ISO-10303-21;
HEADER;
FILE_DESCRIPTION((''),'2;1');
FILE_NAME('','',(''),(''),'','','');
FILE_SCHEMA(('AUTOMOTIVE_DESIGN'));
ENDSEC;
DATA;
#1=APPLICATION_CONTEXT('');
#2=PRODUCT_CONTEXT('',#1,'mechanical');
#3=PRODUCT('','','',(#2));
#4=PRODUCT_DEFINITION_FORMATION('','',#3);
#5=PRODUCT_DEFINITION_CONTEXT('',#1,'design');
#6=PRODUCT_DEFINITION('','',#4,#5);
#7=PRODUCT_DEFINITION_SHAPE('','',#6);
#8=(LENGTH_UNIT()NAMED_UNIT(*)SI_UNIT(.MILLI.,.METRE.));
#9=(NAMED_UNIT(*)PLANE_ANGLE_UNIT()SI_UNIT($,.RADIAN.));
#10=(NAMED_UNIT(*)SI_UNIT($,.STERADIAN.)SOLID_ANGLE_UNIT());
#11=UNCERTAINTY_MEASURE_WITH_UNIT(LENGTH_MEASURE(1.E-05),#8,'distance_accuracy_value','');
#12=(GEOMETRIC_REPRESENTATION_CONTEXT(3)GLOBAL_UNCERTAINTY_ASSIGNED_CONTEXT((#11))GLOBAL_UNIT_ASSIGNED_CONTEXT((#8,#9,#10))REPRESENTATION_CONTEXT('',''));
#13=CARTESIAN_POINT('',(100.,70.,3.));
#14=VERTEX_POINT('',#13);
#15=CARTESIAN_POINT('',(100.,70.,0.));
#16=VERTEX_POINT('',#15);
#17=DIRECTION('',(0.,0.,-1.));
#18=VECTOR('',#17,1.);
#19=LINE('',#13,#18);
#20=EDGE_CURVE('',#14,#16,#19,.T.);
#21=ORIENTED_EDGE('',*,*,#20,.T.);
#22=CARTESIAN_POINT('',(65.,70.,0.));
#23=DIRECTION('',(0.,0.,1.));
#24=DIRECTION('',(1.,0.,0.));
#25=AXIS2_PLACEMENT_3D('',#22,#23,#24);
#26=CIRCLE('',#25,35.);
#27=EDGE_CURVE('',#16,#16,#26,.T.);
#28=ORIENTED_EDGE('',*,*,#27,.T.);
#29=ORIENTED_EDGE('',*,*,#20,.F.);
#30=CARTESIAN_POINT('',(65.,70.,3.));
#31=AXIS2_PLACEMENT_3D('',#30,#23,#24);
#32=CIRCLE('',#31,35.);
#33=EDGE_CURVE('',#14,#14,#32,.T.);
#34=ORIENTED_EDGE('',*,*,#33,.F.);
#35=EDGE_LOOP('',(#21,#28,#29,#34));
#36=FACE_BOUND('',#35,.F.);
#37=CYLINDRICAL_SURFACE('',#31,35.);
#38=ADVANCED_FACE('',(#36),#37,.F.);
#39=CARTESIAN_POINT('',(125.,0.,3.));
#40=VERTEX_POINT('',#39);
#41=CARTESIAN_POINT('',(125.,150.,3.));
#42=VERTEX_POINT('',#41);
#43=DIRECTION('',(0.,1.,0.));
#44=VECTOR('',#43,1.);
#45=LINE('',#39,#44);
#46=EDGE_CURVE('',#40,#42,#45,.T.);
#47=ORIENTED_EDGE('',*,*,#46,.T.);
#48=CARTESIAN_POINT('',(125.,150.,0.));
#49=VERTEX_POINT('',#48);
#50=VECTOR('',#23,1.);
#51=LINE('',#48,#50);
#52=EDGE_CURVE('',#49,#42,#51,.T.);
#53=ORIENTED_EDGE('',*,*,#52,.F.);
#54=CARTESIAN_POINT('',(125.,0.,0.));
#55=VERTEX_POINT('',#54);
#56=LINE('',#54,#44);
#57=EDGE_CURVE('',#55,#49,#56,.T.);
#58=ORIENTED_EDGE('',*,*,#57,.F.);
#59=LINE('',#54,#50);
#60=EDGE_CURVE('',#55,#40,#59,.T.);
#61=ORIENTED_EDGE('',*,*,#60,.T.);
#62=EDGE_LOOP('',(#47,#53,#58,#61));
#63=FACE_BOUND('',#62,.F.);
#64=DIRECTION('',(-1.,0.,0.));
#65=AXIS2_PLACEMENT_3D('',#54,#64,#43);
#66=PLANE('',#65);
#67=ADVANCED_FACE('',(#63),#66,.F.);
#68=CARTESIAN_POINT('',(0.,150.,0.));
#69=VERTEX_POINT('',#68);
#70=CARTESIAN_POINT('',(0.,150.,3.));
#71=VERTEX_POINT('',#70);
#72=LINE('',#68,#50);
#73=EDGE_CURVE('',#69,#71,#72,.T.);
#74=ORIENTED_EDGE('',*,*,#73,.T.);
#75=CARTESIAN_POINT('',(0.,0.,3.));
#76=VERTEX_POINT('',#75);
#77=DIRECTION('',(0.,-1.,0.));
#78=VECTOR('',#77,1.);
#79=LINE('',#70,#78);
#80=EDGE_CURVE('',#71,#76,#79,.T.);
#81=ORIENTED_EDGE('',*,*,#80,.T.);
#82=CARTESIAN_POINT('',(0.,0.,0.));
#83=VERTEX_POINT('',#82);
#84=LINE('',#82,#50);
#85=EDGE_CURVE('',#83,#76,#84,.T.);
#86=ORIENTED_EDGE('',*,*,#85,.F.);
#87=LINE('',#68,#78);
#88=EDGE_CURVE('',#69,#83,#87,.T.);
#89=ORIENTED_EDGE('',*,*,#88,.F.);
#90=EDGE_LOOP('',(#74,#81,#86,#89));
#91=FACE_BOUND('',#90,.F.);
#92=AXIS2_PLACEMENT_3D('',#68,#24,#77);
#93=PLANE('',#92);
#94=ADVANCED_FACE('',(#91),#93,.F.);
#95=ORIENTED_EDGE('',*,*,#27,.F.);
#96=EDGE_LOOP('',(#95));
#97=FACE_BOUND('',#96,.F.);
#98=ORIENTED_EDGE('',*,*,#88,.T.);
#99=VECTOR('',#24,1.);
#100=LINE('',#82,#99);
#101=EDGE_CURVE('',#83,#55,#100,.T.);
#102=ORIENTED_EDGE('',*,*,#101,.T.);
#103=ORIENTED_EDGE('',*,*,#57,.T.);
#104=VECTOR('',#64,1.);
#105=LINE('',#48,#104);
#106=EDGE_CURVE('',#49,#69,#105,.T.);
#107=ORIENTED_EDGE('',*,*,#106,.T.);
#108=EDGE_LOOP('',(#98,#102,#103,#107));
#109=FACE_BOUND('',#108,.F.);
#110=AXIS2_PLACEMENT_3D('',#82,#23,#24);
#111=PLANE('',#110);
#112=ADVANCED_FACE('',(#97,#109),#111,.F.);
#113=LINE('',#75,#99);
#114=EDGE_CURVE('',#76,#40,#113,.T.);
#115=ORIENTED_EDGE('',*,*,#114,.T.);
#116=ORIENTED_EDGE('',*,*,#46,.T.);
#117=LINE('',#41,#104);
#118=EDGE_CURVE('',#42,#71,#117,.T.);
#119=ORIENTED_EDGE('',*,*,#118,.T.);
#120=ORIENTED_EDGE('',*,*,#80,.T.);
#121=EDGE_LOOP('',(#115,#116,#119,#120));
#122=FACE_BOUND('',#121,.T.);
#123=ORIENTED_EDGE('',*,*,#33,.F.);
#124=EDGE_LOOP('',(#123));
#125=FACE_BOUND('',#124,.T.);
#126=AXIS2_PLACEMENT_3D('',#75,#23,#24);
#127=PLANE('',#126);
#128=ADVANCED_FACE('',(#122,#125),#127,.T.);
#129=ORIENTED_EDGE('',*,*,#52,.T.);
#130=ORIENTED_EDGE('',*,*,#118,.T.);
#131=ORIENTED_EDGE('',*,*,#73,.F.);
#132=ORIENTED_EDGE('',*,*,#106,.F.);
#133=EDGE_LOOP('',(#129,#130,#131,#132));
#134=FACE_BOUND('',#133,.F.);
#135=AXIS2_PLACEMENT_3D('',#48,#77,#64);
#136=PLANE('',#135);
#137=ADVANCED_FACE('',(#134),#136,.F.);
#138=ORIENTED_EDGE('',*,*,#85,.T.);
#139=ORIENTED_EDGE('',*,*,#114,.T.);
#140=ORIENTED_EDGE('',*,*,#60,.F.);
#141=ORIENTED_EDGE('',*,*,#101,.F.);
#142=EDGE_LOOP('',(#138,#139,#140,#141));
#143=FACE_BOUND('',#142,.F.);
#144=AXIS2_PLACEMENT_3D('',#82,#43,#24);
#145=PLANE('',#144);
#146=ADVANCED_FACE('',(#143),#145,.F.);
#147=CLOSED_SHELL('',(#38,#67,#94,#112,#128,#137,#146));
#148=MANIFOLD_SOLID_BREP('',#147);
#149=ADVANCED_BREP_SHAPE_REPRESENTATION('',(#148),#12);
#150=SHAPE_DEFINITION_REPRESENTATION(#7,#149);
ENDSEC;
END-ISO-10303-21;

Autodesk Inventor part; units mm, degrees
ref_plane "YZ Plane" through (0, 0, 0) normal (1, 0, 0) x (0, 1, 0)
ref_plane "XZ Plane" through (0, 0, 0) normal (0, 1, 0) x (-1, 0, 0)
ref_plane "XY Plane" through (0, 0, 0) normal (0, 0, 1) x (1, 0, 0)
sketch "Esquisse1" plane through (0, 0, 0) normal (0, 0, 1) x (1, 0, 0)
  line L0 (0, 0) -> (125, 0)
  line L1 (125, 0) -> (125, 150)
  line L2 (125, 150) -> (0, 150)
  line L3 (0, 150) -> (0, 0)
  dimension "d0" = 125
  dimension "d1" = 150
extrude "Extrusion1" add sketch "Esquisse1" along normal blind 3
sketch "Esquisse2" plane through (0, 0, 3) normal (0, 0, 1) x (1, 0, 0)
  circle A0 centre (65, 70) radius 35
  line L0 (125, 0) -> (125, 150) projected
  line L1 (125, 150) -> (0, 150) projected
  point P0 (0, 0)
  dimension "d4" = 70
  dimension "d5" = 60
  dimension "d6" = 80
extrude "Extrusion2" cut sketch "Esquisse2" against normal blind 3
properties part number "cale-moteur"
